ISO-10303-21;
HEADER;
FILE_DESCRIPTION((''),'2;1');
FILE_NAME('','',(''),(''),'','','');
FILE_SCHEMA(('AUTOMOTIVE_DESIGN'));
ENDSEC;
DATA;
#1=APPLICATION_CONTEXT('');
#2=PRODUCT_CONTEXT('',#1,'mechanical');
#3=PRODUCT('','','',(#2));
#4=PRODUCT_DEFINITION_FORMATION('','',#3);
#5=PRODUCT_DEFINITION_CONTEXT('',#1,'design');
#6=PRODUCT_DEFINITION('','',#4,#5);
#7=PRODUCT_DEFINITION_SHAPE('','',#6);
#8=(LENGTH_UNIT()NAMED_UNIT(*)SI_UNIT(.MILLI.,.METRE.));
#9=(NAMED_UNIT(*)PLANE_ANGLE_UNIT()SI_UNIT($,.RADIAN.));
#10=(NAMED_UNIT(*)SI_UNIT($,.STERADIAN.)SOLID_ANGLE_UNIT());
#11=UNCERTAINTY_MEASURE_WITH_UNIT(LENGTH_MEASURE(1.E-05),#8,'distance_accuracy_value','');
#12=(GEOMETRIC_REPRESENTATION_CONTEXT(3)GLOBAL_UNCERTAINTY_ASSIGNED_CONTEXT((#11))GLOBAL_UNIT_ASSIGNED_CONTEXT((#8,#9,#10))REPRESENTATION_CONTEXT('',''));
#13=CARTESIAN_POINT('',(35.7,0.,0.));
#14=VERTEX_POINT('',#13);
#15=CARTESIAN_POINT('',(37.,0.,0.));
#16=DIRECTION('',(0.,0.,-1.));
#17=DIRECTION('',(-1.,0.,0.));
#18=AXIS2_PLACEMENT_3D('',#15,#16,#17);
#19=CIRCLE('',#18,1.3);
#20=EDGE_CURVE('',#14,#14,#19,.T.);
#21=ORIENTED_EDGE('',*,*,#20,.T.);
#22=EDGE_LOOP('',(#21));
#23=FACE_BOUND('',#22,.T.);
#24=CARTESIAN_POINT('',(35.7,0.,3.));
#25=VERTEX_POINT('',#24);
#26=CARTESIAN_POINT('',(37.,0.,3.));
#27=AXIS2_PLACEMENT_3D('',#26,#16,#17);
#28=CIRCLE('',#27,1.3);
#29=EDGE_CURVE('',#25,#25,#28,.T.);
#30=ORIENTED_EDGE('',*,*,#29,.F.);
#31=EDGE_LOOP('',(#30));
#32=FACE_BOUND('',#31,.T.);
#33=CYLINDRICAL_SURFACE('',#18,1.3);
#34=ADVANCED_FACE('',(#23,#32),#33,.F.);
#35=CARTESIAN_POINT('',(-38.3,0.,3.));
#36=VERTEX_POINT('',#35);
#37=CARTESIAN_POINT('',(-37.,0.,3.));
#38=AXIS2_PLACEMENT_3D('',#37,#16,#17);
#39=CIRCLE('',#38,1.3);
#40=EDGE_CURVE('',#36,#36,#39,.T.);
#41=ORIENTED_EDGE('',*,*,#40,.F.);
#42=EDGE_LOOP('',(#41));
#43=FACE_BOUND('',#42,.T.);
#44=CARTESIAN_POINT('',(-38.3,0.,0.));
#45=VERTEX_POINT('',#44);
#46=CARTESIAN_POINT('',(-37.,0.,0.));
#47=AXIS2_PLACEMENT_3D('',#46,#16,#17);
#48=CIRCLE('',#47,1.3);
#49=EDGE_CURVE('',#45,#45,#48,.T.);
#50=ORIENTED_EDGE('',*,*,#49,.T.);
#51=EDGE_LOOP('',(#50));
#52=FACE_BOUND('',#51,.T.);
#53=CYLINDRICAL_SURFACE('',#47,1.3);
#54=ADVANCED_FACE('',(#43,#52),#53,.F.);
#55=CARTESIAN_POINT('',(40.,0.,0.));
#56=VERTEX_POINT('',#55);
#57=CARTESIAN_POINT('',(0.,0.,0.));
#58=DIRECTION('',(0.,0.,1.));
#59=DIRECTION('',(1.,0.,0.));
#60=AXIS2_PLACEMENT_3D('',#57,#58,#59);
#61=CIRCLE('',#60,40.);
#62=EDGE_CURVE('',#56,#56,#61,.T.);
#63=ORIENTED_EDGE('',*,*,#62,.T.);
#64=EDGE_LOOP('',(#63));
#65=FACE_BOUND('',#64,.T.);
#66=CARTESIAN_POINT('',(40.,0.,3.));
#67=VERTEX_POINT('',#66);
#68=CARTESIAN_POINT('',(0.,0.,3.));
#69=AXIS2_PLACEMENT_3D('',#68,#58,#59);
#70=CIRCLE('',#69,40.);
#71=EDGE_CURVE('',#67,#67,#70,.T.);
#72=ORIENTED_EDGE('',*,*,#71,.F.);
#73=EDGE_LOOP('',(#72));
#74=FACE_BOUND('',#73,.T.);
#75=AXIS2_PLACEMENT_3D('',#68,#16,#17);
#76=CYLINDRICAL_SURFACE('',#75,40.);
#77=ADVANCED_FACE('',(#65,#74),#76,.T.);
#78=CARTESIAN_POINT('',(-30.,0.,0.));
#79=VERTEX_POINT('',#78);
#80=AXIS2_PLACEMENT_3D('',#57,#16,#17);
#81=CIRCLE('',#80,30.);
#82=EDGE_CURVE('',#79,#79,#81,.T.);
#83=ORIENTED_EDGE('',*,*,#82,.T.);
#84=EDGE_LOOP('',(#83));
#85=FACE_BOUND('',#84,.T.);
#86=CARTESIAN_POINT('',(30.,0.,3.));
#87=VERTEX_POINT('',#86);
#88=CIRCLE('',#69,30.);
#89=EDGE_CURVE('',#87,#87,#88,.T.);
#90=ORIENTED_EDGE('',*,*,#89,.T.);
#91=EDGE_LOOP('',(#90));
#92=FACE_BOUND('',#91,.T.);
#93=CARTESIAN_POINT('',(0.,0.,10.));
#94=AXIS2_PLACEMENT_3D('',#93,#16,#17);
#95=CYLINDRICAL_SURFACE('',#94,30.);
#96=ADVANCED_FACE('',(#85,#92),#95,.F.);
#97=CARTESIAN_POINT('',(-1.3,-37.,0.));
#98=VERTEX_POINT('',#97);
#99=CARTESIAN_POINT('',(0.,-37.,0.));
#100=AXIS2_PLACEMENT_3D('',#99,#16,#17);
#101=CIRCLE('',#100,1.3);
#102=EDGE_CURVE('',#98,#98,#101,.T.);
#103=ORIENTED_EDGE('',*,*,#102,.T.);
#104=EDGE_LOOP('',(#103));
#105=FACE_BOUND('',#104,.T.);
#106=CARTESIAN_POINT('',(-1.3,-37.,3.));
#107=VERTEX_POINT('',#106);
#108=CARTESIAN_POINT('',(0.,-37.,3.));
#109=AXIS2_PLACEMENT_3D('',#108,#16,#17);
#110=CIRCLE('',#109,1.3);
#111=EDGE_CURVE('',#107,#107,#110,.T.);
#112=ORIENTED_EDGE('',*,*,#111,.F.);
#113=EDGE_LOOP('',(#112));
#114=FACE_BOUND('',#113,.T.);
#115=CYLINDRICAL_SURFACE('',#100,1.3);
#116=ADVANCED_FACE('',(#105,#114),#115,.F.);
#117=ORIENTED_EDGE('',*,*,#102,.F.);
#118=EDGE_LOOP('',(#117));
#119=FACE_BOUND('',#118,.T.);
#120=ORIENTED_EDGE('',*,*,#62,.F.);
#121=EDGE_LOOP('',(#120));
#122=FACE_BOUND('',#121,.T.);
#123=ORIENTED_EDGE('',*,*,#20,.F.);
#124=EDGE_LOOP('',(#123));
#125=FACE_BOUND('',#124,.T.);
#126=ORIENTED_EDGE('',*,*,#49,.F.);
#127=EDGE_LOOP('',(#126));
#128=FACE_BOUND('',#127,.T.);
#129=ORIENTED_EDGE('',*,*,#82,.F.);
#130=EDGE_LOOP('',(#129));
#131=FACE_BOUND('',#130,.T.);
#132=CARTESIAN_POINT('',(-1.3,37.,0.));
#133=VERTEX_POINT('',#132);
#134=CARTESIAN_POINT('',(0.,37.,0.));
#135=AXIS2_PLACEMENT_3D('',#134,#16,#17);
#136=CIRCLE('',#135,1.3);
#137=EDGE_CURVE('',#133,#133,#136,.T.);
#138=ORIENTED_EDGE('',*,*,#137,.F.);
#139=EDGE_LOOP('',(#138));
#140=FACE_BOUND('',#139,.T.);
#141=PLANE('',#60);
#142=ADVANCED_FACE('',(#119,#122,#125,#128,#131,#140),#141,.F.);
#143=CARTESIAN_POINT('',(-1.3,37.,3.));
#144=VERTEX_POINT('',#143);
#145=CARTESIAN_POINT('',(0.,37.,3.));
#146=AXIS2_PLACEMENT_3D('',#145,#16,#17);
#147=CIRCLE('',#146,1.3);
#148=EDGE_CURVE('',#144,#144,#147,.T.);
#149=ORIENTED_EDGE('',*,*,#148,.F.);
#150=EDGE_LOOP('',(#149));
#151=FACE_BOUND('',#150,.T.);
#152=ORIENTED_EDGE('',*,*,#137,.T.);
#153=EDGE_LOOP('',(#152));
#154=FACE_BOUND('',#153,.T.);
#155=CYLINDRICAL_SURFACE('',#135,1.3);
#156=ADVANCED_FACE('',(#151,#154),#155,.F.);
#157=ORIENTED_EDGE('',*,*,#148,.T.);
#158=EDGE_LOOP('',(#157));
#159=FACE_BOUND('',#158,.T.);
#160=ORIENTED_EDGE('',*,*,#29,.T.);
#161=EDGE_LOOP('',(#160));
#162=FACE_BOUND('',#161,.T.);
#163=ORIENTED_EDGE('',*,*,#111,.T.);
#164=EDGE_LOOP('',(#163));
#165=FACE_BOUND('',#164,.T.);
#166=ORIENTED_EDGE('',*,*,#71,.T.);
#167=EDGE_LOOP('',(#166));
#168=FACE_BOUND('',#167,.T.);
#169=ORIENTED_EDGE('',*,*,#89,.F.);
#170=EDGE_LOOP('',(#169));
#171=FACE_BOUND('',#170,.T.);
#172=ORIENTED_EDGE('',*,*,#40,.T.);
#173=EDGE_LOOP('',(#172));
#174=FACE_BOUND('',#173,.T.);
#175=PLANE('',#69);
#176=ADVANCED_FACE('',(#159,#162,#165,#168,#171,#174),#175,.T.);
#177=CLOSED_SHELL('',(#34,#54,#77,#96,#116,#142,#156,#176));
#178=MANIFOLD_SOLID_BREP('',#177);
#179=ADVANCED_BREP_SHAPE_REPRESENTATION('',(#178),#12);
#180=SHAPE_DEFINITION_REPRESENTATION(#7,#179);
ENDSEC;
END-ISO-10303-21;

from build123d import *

# Parameters (mm, degrees)
ESQUISSE1_R                  = 40
BOSS_EXTRU_1_DEPTH           = 3
D_GAGEMENT_M21_D             = 2.6
R_P_TITION_CIRCULAIRE1_COUNT = 4
ESQUISSE4_R                  = 30
ENL_V_MAT_EXTRU_1_DEPTH      = 10


with BuildPart() as part:
    # Esquisse1 → Boss.-Extru.1 (new body)
    with BuildSketch(Plane.XY):
        Circle(ESQUISSE1_R)
    extrude(amount=BOSS_EXTRU_1_DEPTH)

    # Dégagement M21 (through all)
    with Locations(Plane(origin=(0, 0, 0), x_dir=(-1, 0, 0), z_dir=(0, 0, -1))):
        with Locations((0, 37)):
            d_gagement_m21 = Hole(D_GAGEMENT_M21_D / 2)

    # Répétition circulaire1: Dégagement M21 ×4 about axis
    r_p_tition_circulaire1_axis = Axis((0, 0, 0), (0, 0, 1))
    for i in range(1, R_P_TITION_CIRCULAIRE1_COUNT):
        add(d_gagement_m21.rotate(r_p_tition_circulaire1_axis, i * 360 / R_P_TITION_CIRCULAIRE1_COUNT), mode=Mode.SUBTRACT)

    # Esquisse4 → Enlèv. mat.-Extru.1 (cut)
    with BuildSketch(Plane(origin=(0, 0, 0), x_dir=(-1, 0, 0), z_dir=(0, 0, -1))):
        Circle(ESQUISSE4_R)
    extrude(amount=-ENL_V_MAT_EXTRU_1_DEPTH, mode=Mode.SUBTRACT)


solid = part.part
